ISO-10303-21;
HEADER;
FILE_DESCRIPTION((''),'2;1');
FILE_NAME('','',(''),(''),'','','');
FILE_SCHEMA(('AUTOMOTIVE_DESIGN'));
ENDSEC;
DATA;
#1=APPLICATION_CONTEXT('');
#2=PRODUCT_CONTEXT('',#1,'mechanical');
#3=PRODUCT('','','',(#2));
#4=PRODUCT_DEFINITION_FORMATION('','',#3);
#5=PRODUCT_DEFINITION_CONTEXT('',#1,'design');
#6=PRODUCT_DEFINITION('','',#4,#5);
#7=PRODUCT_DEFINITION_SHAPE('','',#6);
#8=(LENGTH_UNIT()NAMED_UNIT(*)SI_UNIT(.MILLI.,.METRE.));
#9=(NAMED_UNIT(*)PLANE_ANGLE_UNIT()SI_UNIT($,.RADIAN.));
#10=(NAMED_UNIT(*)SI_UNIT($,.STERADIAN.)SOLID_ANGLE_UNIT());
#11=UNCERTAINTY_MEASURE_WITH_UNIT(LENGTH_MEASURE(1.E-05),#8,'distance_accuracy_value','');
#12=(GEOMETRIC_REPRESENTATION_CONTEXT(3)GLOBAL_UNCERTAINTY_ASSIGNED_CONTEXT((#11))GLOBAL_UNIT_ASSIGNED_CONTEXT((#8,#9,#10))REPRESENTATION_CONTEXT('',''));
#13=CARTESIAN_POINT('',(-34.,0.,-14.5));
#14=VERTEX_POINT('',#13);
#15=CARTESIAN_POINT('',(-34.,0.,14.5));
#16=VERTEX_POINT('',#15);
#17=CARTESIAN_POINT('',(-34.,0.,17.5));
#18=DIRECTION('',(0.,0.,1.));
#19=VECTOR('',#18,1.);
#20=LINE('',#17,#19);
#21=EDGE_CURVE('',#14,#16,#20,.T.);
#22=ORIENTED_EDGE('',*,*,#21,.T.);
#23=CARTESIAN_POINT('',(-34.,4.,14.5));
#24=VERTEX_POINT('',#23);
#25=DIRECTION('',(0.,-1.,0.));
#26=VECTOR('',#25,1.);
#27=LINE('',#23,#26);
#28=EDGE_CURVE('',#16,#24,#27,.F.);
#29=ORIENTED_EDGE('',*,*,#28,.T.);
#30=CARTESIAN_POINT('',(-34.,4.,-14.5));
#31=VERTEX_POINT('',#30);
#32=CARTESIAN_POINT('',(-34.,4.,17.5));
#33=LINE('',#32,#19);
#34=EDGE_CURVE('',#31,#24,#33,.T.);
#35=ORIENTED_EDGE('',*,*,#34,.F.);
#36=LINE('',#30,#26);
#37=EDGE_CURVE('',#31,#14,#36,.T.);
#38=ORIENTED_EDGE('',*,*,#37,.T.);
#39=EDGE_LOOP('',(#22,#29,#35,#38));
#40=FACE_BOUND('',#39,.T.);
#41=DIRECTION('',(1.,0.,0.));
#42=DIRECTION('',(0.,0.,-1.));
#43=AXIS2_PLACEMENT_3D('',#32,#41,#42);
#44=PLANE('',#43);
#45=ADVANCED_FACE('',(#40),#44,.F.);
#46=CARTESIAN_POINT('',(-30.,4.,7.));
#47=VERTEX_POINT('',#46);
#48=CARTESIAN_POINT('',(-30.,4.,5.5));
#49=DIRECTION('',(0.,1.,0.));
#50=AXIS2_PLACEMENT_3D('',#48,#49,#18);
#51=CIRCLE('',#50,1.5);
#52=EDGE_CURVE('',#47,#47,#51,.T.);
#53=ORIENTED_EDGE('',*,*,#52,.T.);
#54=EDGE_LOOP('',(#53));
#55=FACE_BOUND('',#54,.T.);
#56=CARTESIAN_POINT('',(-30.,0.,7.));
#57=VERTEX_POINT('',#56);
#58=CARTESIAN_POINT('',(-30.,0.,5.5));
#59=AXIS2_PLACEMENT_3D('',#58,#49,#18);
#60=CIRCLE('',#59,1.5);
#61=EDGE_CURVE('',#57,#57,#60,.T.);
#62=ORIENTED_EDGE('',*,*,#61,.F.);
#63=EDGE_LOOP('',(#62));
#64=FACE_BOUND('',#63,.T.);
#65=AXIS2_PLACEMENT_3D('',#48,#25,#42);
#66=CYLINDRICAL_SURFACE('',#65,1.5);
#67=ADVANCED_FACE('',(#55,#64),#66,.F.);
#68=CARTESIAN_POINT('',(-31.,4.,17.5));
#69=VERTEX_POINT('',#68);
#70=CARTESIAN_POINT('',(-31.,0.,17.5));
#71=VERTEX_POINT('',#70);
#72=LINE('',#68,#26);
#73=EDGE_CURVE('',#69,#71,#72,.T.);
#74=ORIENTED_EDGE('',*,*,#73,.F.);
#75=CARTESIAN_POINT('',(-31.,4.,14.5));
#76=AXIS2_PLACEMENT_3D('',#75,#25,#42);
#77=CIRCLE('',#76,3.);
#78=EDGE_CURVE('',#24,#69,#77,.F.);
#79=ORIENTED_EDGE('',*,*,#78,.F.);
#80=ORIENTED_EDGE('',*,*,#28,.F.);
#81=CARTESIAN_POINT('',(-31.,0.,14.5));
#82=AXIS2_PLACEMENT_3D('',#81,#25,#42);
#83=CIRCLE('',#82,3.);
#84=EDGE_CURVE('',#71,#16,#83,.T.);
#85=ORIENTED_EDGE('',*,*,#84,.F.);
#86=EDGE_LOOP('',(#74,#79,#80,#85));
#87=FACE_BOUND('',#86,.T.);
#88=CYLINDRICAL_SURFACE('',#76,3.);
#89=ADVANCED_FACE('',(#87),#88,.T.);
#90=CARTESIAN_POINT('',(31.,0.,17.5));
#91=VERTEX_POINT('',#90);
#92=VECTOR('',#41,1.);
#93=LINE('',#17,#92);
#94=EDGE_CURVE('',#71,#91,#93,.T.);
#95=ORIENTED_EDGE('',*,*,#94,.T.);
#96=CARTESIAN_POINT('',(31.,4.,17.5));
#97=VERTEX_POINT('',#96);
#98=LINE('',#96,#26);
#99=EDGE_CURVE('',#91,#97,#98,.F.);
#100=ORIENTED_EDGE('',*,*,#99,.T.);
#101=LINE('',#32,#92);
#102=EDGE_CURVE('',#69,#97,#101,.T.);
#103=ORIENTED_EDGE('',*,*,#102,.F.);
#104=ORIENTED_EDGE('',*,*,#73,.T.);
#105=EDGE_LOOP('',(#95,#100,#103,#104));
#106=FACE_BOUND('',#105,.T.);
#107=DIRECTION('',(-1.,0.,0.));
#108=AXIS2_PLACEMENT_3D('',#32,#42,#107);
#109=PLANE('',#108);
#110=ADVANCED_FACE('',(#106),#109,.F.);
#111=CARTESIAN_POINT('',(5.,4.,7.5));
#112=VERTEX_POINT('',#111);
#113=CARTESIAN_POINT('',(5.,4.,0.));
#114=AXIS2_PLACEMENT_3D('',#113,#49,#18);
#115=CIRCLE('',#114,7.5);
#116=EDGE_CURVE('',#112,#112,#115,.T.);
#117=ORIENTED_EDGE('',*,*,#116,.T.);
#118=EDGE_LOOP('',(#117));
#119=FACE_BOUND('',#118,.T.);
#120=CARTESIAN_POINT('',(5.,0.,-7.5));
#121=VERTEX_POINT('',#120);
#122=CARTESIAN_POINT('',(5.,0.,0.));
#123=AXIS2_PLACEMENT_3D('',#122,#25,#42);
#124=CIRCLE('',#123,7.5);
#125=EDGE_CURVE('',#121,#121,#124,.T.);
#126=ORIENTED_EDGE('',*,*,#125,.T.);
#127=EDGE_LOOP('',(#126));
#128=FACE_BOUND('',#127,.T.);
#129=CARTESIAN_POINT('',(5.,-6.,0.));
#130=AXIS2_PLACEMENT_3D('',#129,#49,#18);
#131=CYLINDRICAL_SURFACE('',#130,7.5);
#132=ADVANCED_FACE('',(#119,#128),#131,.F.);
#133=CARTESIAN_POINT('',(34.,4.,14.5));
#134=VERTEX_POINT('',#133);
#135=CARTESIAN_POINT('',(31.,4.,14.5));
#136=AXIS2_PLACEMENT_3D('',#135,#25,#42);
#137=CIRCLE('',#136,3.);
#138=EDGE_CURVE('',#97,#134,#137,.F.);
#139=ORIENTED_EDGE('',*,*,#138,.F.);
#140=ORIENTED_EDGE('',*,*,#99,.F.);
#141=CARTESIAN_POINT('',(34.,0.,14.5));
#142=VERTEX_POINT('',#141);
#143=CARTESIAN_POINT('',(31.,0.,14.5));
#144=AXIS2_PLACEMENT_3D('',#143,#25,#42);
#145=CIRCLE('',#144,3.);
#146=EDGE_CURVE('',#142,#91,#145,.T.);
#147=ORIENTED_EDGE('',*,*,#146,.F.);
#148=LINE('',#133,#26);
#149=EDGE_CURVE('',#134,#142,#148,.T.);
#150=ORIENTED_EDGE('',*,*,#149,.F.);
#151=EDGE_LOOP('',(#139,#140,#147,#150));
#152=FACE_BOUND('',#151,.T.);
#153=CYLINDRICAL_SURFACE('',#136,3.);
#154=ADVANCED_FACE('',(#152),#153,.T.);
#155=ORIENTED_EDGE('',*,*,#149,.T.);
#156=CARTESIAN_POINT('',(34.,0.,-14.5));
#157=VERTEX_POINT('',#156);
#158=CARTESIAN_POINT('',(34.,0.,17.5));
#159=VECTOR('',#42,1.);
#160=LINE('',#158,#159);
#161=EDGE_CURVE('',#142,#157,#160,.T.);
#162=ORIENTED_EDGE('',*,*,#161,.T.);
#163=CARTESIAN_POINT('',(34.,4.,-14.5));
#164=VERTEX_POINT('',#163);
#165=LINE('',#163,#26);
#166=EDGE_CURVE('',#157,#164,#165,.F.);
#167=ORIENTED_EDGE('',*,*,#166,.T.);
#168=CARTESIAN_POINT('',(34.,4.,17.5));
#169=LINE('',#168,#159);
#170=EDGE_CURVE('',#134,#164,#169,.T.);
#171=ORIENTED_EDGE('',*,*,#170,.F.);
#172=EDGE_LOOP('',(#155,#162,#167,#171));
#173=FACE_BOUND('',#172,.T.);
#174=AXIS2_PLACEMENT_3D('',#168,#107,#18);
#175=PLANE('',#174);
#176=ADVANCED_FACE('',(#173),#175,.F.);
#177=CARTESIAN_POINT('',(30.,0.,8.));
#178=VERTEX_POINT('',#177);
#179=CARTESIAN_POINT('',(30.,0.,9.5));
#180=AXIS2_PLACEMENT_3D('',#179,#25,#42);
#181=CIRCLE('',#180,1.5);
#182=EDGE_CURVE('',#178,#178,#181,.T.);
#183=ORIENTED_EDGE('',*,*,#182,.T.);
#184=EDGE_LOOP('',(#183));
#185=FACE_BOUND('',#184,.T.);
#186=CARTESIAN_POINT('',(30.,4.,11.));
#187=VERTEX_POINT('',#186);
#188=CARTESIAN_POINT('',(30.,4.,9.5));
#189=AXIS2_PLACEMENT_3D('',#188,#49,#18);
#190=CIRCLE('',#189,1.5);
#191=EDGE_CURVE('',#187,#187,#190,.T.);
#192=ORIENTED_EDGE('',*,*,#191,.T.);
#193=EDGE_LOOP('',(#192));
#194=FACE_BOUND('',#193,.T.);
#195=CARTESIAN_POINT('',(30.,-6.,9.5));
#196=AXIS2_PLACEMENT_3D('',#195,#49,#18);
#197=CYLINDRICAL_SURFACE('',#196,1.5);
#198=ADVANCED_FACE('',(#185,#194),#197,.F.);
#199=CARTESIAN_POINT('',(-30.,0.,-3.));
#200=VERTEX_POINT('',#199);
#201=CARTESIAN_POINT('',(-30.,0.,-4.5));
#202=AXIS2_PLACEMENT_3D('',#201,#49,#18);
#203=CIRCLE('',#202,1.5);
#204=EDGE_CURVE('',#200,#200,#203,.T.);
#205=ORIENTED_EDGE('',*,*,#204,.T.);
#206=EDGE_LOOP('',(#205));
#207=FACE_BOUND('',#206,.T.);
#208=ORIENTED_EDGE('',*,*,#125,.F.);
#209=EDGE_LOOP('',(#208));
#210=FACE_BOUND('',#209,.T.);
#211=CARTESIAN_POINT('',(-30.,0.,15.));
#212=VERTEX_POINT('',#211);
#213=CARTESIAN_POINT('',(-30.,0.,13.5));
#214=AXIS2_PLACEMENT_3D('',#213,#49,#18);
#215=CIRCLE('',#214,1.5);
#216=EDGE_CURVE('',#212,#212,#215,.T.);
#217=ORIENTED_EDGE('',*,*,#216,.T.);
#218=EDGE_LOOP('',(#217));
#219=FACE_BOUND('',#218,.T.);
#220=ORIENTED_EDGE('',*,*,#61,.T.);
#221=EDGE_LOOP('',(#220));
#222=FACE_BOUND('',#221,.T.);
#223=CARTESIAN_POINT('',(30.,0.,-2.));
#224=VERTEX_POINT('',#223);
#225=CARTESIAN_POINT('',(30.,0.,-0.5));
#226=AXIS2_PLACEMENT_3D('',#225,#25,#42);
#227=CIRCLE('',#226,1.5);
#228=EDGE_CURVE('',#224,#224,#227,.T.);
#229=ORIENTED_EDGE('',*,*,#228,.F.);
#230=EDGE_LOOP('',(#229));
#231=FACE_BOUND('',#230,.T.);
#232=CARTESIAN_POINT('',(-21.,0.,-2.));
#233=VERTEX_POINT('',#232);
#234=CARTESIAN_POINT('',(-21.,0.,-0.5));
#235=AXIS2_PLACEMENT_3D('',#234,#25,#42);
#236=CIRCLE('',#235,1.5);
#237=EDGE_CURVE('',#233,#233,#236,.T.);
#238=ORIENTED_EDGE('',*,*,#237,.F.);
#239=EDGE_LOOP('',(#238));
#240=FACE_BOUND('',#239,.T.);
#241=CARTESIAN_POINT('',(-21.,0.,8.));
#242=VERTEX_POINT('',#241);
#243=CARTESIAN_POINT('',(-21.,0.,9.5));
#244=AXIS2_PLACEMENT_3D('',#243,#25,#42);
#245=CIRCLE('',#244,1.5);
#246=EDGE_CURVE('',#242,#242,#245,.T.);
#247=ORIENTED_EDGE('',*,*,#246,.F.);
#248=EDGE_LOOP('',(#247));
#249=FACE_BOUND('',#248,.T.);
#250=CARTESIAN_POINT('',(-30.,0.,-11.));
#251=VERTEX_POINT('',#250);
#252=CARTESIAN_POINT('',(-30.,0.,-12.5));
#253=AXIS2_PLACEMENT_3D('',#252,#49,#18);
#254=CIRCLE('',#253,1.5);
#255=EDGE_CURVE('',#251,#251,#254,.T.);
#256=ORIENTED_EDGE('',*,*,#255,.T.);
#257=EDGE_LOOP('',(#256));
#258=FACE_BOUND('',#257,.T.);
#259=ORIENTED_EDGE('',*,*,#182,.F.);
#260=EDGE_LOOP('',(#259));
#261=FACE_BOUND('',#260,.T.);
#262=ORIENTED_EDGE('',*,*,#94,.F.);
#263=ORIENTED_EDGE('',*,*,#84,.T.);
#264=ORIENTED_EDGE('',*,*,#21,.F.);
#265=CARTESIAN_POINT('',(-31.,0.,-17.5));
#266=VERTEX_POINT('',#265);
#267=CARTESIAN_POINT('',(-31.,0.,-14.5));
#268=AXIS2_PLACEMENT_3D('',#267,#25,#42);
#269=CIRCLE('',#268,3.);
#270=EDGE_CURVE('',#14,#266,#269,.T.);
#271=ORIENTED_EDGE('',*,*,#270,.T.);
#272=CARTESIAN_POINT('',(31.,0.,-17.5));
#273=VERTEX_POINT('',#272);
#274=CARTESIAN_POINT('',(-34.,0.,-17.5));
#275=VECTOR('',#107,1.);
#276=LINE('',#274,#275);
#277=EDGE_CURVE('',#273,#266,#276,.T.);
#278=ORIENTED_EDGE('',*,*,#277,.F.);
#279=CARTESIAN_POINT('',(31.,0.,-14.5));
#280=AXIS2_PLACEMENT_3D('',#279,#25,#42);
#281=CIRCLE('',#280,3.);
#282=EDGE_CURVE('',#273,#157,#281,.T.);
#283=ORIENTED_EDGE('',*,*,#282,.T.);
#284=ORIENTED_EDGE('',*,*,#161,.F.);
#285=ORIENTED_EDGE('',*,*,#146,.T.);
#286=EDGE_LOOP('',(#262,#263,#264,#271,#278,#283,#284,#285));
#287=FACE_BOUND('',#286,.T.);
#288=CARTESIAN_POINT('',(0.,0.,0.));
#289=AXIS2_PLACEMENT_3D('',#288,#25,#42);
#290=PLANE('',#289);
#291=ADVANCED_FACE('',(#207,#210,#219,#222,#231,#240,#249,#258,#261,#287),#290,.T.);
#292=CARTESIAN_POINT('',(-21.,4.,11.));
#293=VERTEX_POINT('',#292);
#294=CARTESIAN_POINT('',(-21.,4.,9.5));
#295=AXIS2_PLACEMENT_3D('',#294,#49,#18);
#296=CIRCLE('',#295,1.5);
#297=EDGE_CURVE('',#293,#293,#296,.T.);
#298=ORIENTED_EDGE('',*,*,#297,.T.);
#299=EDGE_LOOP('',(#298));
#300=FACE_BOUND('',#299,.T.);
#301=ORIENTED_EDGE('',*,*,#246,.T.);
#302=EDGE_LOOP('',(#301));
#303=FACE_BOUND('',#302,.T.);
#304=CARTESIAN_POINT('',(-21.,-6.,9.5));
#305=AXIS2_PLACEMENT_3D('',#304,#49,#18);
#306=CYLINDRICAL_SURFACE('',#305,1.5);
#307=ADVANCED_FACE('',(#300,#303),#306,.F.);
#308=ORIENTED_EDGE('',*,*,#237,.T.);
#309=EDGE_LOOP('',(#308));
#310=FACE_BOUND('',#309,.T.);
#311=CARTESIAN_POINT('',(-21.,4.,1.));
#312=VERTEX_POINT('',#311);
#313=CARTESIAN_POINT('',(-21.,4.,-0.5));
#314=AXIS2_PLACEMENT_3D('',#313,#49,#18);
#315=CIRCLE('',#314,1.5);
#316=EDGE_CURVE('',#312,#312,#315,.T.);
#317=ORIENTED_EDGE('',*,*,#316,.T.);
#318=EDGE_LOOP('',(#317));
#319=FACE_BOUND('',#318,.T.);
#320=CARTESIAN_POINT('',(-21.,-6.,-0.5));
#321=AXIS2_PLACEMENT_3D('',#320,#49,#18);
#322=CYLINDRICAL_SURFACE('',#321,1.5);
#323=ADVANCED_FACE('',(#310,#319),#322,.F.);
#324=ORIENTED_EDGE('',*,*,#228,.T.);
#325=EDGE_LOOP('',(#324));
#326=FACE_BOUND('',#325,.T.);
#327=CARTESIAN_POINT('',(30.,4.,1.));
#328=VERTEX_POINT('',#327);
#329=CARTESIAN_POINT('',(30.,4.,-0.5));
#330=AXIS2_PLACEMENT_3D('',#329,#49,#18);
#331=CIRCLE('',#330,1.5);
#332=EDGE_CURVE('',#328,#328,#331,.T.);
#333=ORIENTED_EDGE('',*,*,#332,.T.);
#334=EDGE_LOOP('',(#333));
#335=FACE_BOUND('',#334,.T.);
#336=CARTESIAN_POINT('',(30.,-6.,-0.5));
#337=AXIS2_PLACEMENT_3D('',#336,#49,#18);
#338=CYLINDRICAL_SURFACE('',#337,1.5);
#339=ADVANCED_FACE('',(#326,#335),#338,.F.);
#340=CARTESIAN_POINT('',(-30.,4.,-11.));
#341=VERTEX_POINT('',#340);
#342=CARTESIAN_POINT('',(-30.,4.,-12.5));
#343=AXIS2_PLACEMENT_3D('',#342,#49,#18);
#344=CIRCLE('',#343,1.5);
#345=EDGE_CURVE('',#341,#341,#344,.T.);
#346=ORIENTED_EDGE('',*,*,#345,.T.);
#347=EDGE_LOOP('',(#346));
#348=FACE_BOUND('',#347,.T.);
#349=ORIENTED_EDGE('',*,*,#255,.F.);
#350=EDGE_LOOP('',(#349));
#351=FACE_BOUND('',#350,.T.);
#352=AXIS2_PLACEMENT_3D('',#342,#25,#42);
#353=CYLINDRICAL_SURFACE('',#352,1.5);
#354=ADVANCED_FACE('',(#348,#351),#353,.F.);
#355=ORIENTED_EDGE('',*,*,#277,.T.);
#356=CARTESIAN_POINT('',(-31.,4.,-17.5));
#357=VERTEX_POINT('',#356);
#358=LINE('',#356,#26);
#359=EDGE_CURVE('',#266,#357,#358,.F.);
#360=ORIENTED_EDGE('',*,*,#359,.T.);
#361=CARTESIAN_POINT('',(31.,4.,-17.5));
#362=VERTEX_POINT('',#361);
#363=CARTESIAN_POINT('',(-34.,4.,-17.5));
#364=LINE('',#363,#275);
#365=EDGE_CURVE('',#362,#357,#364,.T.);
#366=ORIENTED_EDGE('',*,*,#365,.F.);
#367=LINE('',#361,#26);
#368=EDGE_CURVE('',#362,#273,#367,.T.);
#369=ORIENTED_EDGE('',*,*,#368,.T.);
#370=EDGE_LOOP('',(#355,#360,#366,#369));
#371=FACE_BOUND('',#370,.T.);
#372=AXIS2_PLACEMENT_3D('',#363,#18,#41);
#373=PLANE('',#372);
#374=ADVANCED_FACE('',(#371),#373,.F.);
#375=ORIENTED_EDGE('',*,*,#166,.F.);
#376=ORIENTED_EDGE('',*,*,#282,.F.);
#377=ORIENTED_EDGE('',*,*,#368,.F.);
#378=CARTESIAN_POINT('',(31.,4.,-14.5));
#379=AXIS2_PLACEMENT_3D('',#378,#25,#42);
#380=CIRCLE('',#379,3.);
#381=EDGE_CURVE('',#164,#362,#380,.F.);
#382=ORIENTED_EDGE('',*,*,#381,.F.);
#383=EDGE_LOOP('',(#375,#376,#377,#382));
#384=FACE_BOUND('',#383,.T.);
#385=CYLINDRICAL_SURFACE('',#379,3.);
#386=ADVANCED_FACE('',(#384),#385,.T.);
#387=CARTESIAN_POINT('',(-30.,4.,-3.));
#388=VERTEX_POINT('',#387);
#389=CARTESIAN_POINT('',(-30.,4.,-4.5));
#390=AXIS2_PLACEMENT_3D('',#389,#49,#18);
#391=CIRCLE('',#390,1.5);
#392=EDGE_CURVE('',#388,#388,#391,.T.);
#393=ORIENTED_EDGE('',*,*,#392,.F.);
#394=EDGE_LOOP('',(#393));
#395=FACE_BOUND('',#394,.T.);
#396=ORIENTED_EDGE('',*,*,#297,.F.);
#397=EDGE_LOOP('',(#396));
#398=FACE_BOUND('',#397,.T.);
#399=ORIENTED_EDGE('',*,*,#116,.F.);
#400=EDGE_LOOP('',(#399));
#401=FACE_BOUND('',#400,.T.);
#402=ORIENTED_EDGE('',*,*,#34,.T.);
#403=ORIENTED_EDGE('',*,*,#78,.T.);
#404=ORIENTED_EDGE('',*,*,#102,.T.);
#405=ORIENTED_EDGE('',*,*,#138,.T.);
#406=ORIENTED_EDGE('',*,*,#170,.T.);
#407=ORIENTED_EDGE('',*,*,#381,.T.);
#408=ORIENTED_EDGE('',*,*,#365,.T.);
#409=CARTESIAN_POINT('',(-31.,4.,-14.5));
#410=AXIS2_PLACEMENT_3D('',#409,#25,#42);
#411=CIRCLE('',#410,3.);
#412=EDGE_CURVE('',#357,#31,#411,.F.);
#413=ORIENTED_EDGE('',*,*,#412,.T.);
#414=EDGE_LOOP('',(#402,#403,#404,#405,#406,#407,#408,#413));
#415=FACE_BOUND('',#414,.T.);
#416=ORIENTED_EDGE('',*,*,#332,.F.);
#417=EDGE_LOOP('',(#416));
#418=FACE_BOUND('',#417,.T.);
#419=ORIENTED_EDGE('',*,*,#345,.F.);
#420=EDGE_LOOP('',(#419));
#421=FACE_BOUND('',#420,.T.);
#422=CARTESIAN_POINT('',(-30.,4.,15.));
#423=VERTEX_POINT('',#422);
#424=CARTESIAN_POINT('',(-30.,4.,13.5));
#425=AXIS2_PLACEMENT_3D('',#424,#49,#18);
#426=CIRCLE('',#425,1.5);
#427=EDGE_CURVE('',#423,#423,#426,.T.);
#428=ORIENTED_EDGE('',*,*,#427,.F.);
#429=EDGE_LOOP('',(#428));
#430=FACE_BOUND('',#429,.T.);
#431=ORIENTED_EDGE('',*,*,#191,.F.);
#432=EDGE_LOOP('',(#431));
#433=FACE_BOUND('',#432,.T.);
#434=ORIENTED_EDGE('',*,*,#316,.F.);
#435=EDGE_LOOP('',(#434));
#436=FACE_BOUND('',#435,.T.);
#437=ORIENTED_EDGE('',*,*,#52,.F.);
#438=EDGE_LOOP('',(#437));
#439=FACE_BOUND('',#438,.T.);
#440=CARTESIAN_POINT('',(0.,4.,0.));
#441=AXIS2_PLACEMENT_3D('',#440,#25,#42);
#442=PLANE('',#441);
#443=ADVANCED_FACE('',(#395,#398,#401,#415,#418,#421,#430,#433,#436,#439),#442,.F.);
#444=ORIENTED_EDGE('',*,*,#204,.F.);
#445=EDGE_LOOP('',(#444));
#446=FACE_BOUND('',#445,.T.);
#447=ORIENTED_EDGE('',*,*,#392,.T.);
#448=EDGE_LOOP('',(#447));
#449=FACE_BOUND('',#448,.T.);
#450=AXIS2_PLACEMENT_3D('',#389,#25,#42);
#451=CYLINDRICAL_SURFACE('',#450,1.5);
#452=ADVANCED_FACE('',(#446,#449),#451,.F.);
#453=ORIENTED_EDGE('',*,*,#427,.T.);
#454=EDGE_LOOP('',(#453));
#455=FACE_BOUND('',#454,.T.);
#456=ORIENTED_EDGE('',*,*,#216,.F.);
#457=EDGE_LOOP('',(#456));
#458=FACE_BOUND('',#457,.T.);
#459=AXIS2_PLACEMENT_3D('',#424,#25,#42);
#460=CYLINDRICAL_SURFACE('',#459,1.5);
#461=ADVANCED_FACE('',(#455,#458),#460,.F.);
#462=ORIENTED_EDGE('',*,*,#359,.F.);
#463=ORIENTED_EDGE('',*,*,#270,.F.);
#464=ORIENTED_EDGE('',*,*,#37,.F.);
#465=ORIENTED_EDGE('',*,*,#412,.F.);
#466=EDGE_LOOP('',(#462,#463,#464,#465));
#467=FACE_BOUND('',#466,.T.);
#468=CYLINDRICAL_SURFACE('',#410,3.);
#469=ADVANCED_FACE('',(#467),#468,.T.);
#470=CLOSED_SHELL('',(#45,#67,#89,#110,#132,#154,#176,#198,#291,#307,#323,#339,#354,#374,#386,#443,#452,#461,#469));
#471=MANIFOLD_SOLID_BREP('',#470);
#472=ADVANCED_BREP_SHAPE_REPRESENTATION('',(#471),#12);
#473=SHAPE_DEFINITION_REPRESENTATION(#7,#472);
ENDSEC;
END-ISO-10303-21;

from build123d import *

# Parameters (mm, degrees)
SKETCH_1_W          = 68
SKETCH_1_H          = 35
SKETCH_1_R          = 1.5
EXTRUDE_1_DEPTH     = 4
FILLET_1_R          = 3
SKETCH_2_R          = 1.5
SKETCH_2_R_2        = 7.5
CUT_EXTRUDE_1_DEPTH = 10


with BuildPart() as part:
    # 草图1 → 凸台-拉伸1 (new body)
    with BuildSketch(Plane(origin=(0, 0, 0), x_dir=(1, 0, 0), z_dir=(0, 1, 0))):
        Rectangle(SKETCH_1_W, SKETCH_1_H)
        with Locations(Location((-30, 12.5, 0), (0, 0, 270))):
            Circle(SKETCH_1_R, mode=Mode.SUBTRACT)
        with Locations(Location((-30, 4.5, 0), (0, 0, 270))):
            Circle(SKETCH_1_R, mode=Mode.SUBTRACT)
        with Locations(Location((-30, -5.5, 0), (0, 0, 270))):
            Circle(SKETCH_1_R, mode=Mode.SUBTRACT)
        with Locations(Location((-30, -13.5, 0), (0, 0, 270))):
            Circle(SKETCH_1_R, mode=Mode.SUBTRACT)
    extrude(amount=EXTRUDE_1_DEPTH)

    # 圆角1
    fillet_1_edges = [part.edges().sort_by_distance(p)[0] for p in [
        (34, 2, 17.5),
        (-34, 2, 17.5),
        (-34, 2, -17.5),
        (34, 2, -17.5),
    ]]
    fillet(fillet_1_edges, radius=FILLET_1_R)

    # 草图2 → 切除-拉伸1 (cut)
    with BuildSketch(Plane(origin=(0, 4, 0), x_dir=(1, 0, 0), z_dir=(0, 1, 0))):
        with Locations(Location((-21, 0.5, 0), (0, 0, 270))):
            Circle(SKETCH_2_R)
        with Locations(Location((30, 0.5, 0), (0, 0, 270))):
            Circle(SKETCH_2_R)
        with Locations(Location((-21, -9.5, 0), (0, 0, 270))):
            Circle(SKETCH_2_R)
        with Locations(Location((30, -9.5, 0), (0, 0, 270))):
            Circle(SKETCH_2_R)
        with Locations(Location((5, 0, 0), (0, 0, 270))):
            Circle(SKETCH_2_R_2)
    extrude(amount=-CUT_EXTRUDE_1_DEPTH, mode=Mode.SUBTRACT)


solid = part.part
